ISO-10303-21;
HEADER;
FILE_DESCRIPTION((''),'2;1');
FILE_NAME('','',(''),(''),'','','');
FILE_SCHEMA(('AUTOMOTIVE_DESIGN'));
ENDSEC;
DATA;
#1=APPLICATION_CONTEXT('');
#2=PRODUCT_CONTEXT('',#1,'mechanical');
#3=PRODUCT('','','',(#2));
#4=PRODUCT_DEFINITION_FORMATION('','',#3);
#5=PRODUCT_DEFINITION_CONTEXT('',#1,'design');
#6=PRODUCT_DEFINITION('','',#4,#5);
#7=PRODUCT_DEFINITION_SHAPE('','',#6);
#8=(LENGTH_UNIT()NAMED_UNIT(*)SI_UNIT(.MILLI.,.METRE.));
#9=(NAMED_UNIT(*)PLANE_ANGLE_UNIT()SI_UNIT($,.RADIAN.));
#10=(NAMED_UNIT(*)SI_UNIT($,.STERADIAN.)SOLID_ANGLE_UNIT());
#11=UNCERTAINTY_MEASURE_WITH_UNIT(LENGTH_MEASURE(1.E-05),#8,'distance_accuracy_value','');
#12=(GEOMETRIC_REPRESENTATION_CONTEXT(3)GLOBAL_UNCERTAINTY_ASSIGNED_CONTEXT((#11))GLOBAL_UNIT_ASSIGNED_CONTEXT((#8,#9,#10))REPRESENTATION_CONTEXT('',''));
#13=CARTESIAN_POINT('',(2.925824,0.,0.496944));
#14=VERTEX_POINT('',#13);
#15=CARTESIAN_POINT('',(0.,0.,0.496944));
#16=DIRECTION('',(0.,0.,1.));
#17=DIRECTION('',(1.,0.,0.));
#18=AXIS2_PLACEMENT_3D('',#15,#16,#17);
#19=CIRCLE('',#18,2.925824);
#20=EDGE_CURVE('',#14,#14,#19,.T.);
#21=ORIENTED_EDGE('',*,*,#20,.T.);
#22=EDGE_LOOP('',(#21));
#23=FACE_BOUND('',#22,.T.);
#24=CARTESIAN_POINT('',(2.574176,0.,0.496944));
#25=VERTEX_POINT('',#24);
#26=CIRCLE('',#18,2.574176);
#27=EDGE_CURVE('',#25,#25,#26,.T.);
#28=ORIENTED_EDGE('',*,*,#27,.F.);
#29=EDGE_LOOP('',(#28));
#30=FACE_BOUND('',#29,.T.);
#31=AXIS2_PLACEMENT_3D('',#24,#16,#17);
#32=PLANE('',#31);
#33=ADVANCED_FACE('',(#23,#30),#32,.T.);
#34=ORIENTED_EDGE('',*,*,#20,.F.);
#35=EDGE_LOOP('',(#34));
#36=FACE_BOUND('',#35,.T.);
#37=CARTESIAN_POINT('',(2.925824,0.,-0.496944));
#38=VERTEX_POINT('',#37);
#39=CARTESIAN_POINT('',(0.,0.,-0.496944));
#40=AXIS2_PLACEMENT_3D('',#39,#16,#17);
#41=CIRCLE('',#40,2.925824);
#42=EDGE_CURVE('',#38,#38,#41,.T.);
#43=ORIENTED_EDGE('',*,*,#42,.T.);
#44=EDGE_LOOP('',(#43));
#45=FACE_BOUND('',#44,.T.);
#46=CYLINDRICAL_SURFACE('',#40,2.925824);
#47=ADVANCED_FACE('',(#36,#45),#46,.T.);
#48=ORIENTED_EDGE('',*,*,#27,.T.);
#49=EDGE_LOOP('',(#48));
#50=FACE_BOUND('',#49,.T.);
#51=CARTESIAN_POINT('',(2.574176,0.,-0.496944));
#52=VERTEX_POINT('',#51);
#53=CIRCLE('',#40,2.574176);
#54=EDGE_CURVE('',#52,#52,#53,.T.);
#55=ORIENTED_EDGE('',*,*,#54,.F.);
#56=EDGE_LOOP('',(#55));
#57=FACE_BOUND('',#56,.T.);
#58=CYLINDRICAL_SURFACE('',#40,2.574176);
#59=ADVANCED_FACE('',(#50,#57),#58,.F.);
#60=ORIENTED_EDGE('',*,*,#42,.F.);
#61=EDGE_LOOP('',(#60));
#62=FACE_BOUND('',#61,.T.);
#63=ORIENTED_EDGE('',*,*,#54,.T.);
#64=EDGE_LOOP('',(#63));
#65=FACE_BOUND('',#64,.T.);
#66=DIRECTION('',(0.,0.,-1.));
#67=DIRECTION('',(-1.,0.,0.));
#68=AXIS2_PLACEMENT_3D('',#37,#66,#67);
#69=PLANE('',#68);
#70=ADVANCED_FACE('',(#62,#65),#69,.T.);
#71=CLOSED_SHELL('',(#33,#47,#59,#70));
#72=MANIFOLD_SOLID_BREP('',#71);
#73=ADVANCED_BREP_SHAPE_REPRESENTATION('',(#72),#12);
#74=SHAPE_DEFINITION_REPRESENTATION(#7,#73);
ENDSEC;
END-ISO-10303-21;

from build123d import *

# Parameters (mm, degrees)
SKETCH9_W = 0.351648352
SKETCH9_H = 0.99388875


with BuildPart() as part:
    # Sketch9 → Revolve5 (revolve)
    with BuildSketch(Plane(origin=(0, 0, 0), x_dir=(1, 0, 0), z_dir=(0, 1, 0))):
        with Locations((2.75, 0)):
            Rectangle(SKETCH9_W, SKETCH9_H)
    revolve(axis=Axis((0, 0, -0.496944375), (0, 0, 1)))


solid = part.part
